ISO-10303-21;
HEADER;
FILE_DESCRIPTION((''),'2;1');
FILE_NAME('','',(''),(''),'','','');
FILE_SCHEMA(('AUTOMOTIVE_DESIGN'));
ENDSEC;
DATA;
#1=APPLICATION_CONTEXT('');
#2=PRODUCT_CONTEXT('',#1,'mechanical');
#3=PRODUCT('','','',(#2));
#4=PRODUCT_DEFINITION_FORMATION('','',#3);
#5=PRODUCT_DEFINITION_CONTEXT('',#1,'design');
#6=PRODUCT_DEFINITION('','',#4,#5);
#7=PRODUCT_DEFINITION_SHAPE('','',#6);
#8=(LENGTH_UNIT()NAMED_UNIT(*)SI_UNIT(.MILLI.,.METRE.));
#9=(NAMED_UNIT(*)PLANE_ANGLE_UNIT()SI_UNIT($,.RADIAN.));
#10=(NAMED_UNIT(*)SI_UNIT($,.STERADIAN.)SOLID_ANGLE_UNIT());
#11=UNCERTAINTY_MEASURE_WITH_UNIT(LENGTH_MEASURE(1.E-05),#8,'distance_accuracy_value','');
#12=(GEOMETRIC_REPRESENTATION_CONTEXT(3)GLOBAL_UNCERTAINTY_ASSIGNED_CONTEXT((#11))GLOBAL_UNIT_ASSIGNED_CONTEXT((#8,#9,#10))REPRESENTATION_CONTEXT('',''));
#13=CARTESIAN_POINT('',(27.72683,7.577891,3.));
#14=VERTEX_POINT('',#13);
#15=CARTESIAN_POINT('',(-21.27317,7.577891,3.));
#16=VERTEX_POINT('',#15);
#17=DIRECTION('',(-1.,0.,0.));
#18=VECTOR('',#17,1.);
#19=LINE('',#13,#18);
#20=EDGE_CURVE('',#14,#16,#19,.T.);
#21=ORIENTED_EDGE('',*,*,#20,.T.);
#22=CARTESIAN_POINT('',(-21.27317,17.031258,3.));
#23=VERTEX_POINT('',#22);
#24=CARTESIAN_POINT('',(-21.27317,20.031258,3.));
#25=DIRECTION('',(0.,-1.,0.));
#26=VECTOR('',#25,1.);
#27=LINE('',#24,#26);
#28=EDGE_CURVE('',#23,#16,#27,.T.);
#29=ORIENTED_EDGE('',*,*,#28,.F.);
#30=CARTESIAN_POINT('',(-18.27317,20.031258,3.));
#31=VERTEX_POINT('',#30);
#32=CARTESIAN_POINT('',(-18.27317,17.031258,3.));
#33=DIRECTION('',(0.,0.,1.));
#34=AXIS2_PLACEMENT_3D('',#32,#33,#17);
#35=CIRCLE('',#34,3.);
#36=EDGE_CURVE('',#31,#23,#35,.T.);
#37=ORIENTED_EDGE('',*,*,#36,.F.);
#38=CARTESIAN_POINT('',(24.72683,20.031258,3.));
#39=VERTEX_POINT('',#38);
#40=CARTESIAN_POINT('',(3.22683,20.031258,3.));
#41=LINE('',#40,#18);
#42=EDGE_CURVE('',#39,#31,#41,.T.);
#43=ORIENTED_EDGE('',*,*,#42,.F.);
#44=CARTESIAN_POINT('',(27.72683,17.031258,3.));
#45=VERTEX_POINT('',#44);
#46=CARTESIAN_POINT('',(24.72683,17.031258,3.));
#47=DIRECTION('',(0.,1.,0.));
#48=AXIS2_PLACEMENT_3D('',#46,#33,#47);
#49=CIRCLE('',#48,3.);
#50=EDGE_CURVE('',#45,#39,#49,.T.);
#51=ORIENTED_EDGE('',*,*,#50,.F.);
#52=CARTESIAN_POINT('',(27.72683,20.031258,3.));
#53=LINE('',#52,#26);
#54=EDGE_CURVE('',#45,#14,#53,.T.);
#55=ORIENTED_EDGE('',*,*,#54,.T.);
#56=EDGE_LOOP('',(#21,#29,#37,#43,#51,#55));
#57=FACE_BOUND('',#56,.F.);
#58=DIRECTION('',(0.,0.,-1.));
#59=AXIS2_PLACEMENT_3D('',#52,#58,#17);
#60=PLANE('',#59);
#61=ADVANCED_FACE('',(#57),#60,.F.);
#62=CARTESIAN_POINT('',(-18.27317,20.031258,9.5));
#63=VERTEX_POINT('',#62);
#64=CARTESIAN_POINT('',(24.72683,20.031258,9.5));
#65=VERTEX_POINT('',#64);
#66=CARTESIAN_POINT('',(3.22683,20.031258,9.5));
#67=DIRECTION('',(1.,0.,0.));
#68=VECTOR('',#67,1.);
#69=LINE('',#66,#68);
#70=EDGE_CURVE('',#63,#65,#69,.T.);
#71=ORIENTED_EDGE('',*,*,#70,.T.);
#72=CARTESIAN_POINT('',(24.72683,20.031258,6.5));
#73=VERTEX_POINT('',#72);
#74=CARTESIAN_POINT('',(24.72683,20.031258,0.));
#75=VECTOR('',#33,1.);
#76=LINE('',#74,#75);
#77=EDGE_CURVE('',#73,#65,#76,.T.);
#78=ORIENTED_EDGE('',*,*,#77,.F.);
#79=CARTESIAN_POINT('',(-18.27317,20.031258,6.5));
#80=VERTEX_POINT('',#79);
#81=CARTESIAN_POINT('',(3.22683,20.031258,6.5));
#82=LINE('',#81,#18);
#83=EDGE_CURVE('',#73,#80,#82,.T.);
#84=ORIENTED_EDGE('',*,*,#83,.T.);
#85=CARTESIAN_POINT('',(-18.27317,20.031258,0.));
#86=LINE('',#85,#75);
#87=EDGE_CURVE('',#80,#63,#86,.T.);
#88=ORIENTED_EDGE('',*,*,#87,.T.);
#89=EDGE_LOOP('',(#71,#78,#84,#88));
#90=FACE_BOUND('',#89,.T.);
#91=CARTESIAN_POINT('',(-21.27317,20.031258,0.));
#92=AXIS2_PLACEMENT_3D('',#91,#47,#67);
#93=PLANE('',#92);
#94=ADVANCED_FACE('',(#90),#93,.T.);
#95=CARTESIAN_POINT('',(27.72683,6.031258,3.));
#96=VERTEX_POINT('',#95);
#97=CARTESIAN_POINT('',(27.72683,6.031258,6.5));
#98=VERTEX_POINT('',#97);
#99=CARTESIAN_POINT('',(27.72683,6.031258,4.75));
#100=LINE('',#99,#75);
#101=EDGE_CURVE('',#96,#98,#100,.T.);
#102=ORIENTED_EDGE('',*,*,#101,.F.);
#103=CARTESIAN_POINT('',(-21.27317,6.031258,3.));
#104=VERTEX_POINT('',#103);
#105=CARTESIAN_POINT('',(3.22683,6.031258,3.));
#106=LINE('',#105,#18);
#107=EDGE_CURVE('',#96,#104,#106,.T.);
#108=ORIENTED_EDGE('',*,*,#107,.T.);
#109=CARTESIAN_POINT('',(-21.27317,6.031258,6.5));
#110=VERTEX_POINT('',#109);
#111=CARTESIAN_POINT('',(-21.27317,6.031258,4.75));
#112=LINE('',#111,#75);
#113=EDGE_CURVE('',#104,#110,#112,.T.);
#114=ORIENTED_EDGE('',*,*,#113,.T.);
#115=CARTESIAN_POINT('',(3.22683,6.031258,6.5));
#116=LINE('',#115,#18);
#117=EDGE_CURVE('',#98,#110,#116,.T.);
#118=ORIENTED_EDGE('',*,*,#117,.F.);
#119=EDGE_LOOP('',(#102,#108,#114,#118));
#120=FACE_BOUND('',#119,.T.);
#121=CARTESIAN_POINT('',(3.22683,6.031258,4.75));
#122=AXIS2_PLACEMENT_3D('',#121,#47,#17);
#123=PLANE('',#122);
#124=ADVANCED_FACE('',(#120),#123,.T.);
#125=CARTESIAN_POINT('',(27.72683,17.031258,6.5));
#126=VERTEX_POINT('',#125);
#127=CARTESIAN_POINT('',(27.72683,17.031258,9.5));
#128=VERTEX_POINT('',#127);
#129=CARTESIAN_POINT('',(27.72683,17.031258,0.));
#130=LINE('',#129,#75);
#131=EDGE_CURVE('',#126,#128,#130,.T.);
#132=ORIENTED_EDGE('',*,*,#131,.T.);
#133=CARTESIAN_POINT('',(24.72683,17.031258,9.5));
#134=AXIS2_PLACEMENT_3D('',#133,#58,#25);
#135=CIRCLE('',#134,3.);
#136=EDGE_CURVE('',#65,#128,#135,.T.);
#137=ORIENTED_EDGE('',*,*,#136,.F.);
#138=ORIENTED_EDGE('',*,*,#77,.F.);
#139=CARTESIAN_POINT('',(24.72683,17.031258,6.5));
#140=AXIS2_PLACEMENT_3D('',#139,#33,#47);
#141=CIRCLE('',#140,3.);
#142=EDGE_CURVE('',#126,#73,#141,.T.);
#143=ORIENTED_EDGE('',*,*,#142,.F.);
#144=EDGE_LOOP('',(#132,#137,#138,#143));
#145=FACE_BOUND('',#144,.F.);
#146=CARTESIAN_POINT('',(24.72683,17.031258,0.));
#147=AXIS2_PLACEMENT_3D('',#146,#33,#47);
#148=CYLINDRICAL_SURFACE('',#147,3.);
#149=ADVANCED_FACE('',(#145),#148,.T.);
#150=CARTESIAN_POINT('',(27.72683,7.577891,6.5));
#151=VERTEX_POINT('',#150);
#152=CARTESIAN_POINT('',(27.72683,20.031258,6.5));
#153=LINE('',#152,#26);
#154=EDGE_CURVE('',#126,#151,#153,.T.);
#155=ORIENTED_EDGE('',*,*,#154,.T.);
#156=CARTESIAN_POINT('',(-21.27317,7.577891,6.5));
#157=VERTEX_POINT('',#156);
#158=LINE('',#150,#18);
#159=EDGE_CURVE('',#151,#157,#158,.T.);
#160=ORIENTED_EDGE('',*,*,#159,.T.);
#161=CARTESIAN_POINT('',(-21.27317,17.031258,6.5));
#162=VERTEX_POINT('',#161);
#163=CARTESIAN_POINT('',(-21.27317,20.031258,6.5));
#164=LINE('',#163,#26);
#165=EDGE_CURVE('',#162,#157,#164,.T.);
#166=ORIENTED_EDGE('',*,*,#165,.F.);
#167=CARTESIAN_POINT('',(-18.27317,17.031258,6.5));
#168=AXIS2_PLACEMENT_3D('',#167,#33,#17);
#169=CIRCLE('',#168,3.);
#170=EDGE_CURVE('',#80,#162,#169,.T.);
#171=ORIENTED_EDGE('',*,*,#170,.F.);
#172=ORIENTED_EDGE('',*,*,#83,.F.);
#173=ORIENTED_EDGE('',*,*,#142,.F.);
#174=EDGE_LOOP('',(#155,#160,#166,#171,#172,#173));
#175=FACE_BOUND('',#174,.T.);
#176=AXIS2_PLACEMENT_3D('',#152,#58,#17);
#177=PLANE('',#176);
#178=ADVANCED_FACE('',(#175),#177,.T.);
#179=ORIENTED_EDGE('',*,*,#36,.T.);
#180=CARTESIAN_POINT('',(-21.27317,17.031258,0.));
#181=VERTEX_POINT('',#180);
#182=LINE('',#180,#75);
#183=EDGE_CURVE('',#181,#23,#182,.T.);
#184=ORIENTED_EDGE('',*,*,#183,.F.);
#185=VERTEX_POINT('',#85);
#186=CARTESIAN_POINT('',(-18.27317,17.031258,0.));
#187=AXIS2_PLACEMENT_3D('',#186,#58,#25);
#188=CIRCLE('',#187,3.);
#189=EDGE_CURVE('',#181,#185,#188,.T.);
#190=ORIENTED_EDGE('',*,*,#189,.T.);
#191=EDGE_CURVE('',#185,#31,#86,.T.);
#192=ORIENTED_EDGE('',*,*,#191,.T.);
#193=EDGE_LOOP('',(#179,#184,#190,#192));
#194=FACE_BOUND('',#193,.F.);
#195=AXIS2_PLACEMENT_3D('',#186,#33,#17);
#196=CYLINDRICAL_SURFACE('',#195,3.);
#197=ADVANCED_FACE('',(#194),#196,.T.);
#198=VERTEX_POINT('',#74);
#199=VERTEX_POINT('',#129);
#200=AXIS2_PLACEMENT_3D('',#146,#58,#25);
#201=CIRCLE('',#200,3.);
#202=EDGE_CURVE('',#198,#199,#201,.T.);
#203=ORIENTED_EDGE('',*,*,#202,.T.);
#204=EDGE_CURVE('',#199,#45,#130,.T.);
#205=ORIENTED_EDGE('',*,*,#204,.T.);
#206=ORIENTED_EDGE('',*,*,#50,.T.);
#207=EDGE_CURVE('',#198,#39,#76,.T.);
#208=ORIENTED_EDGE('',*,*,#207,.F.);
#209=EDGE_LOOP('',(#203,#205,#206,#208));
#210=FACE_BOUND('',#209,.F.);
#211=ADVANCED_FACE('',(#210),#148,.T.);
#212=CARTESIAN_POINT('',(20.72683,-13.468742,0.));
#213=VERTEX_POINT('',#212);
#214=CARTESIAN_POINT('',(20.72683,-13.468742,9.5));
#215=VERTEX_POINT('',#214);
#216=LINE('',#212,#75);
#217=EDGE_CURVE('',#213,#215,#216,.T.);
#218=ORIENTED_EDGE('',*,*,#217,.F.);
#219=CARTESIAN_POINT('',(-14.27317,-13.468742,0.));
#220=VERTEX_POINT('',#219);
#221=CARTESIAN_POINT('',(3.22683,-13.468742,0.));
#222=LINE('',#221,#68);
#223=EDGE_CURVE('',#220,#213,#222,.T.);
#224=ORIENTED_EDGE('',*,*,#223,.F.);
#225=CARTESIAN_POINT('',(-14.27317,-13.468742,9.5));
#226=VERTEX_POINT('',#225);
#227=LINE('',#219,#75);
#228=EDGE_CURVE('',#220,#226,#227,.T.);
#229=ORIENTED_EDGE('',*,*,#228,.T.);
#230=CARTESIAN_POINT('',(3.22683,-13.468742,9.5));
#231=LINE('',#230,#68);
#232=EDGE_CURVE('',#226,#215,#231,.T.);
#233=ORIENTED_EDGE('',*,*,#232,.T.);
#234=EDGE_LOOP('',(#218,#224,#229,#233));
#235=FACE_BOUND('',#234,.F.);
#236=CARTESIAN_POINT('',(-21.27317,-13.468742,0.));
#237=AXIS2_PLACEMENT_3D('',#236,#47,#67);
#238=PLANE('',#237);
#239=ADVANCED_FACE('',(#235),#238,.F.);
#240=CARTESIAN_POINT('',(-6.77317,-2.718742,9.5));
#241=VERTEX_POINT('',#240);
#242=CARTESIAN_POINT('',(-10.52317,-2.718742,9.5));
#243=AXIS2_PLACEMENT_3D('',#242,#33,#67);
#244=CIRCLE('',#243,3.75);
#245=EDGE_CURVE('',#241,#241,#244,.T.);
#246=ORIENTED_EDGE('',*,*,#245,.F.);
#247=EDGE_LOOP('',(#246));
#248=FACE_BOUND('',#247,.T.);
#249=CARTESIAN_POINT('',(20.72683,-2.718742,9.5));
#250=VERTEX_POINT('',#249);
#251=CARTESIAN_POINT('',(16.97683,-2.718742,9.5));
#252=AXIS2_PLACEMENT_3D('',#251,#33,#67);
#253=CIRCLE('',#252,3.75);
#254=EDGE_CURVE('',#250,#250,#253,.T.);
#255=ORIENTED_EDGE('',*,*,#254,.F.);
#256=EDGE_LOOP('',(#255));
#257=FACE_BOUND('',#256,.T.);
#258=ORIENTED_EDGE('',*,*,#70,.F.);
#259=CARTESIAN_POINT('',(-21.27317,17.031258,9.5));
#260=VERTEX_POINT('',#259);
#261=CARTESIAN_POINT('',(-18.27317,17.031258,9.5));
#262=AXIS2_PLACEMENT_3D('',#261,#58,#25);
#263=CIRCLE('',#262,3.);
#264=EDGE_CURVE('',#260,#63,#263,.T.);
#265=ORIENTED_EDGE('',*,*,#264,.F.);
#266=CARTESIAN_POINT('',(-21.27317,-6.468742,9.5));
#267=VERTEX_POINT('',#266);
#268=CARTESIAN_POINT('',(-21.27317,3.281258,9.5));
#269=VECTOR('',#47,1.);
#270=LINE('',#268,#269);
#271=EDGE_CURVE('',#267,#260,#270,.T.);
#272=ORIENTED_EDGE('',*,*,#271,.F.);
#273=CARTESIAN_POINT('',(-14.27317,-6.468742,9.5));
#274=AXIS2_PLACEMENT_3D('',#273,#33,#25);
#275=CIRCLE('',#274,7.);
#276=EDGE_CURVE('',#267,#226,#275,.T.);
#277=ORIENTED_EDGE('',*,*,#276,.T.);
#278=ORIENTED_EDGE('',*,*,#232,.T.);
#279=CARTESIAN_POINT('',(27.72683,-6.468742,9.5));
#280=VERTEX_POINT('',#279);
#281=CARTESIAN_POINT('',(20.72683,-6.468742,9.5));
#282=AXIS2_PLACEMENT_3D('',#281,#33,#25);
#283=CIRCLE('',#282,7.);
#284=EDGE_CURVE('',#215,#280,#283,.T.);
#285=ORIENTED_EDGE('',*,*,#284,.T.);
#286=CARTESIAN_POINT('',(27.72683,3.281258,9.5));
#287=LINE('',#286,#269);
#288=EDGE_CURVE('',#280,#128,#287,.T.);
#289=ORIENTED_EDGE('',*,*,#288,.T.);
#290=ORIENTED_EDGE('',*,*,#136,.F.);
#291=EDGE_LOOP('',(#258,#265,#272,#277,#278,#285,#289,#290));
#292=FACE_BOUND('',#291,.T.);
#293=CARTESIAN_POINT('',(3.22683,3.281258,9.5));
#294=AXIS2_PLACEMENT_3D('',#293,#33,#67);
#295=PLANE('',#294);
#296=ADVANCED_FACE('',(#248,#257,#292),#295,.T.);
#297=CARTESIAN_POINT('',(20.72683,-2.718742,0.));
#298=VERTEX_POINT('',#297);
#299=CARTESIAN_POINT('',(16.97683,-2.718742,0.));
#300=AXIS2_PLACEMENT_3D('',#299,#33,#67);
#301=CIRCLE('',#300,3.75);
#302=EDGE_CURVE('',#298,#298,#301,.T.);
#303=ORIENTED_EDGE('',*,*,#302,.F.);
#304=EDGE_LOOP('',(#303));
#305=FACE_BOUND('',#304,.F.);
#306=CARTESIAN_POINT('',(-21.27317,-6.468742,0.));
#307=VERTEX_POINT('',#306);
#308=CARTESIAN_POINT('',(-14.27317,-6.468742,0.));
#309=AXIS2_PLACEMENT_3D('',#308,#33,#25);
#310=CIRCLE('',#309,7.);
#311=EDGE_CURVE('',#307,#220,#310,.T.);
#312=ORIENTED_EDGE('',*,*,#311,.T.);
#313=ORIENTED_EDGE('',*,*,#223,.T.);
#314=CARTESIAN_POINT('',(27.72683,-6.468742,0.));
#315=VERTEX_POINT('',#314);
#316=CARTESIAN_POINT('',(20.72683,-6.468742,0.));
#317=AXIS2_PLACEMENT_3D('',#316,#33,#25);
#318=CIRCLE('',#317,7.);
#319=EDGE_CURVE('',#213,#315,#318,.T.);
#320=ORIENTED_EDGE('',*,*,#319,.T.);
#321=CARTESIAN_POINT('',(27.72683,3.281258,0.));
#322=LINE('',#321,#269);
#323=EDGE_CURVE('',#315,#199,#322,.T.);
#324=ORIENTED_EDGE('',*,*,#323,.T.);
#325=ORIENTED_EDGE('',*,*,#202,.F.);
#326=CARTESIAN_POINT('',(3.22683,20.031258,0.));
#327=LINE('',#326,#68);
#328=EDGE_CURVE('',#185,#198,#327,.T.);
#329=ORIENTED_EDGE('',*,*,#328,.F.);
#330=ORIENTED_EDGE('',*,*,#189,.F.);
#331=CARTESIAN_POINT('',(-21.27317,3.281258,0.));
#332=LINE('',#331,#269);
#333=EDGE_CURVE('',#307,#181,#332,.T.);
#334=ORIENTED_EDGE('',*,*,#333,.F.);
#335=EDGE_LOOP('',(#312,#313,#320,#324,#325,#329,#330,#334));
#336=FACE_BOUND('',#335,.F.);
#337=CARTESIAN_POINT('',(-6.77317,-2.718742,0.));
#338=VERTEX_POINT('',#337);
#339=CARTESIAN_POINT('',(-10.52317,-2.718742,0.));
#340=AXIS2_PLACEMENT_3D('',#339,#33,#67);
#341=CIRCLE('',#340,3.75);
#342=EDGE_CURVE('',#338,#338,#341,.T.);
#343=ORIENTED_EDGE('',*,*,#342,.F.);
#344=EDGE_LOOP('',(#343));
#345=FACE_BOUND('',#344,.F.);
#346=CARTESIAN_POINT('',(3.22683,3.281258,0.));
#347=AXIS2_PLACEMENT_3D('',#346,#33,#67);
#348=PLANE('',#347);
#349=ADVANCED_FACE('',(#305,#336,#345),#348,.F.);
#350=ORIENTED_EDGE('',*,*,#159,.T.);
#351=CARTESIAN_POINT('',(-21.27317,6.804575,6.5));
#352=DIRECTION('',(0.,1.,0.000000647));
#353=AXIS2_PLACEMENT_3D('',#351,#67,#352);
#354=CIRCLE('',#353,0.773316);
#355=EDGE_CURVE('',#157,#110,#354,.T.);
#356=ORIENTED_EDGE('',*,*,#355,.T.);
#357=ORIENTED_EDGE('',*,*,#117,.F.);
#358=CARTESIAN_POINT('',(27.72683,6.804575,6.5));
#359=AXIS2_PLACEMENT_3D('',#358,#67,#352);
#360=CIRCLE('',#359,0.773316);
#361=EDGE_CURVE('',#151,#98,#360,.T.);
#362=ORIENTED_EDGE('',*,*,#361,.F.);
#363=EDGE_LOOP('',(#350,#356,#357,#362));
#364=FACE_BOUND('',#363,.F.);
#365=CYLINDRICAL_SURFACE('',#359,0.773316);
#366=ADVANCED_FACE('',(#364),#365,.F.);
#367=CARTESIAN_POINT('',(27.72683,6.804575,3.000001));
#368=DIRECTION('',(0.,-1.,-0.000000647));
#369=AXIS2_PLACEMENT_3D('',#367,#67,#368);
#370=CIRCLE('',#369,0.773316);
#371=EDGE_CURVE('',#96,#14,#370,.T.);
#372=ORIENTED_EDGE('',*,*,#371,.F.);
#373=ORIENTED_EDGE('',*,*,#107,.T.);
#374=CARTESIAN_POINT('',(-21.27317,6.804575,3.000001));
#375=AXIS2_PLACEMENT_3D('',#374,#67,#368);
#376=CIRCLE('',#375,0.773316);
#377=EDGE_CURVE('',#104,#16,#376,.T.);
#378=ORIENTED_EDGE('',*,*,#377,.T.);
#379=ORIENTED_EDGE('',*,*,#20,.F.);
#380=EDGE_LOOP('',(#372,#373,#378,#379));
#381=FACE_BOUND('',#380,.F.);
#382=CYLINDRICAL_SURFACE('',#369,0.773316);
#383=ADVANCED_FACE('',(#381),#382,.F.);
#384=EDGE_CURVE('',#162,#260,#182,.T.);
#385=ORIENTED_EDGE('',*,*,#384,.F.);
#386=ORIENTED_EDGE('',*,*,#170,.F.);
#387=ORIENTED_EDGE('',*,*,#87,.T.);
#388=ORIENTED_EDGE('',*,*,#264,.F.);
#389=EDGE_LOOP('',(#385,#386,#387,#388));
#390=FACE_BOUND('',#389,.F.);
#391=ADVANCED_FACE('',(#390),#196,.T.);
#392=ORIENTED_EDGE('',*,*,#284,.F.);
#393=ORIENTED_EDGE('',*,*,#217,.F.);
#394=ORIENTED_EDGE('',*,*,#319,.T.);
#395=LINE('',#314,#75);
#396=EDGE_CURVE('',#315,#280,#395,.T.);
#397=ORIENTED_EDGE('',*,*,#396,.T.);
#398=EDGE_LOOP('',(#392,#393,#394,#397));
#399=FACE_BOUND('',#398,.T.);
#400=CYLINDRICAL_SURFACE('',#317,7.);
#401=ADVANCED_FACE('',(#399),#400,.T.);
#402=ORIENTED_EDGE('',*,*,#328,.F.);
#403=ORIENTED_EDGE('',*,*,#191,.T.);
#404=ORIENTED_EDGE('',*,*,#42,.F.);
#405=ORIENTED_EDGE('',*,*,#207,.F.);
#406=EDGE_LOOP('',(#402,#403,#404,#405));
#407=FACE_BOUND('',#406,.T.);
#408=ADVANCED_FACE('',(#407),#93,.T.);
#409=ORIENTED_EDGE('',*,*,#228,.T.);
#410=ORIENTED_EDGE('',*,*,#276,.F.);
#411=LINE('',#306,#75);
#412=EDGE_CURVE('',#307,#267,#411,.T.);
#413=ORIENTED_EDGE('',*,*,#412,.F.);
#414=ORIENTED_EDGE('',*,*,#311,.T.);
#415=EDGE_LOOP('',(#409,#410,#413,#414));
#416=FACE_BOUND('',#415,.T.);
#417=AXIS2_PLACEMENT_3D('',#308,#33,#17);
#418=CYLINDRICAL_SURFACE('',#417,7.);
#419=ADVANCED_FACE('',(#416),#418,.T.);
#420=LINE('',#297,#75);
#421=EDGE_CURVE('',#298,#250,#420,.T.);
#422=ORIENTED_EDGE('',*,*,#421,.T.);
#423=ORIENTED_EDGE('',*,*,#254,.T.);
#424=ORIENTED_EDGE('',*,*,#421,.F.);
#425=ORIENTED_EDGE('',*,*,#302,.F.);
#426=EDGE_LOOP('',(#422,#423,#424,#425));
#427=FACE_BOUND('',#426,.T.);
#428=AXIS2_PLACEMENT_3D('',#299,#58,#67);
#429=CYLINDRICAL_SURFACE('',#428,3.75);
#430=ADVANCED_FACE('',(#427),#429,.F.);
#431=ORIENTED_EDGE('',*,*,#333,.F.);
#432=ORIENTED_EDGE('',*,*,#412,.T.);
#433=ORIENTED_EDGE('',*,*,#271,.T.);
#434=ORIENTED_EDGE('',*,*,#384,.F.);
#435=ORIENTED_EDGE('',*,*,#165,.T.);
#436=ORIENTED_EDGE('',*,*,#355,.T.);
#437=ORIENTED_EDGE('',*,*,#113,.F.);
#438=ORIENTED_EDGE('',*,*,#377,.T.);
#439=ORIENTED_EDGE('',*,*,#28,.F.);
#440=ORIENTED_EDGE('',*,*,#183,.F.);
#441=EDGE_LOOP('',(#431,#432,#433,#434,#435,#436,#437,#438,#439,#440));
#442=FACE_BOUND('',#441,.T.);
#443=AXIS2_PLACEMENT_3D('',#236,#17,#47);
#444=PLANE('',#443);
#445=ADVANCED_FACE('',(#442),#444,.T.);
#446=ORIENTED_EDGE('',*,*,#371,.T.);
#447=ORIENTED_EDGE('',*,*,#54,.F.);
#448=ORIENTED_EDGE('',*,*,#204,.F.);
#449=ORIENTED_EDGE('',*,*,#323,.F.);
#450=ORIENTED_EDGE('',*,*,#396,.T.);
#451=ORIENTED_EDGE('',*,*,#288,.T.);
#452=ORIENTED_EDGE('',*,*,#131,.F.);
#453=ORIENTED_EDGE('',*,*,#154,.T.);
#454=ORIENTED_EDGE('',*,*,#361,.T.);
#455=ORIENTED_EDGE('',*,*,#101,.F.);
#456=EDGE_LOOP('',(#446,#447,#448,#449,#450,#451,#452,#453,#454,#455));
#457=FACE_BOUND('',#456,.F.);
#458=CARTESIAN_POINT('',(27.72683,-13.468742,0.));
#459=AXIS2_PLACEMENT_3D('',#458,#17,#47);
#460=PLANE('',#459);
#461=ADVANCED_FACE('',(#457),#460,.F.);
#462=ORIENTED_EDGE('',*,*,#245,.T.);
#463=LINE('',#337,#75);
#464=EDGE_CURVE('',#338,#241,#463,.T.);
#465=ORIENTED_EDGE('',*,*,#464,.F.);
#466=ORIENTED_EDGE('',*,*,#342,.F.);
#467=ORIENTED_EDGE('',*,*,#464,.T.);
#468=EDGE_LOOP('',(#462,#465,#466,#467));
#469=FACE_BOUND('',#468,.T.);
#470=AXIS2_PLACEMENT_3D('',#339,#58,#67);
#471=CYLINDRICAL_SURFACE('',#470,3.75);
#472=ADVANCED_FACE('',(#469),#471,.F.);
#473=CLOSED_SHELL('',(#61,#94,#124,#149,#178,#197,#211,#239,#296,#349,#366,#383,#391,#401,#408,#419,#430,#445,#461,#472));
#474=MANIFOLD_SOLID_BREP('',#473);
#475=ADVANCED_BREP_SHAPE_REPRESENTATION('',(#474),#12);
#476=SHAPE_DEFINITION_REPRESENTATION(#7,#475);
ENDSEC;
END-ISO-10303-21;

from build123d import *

# Parameters (mm, degrees)
F0_W     = 49
F0_H     = 33.5
F0_R     = 3.75
F1_DEPTH = 9.5
F2_R     = 7
F4_R     = 3
F3_W     = 49
F3_H     = 3.5
F5_DEPTH = 14
F7_DEPTH = 50


with BuildPart() as f1:
    # F0 (on Top) → F1 (new body)
    with BuildSketch(Plane.XY):
        with Locations((3.22683, 3.281258)):
            Rectangle(F0_W, F0_H)
        with Locations((-10.52317, -2.718742)):
            Circle(F0_R, mode=Mode.SUBTRACT)
        with Locations((16.97683, -2.718742)):
            Circle(F0_R, mode=Mode.SUBTRACT)
    extrude(amount=F1_DEPTH)

    # F2
    f2_edges = [f1.edges().sort_by_distance(p)[0] for p in [
        (-21.27317, -13.468742, 4.75),
        (27.72683, -13.468742, 4.75),
    ]]
    fillet(f2_edges, radius=F2_R)

    # F4
    f4_edges = [f1.edges().sort_by_distance(p)[0] for p in [
        (27.72683, 20.031258, 4.75),
        (-21.27317, 20.031258, 4.75),
    ]]
    fillet(f4_edges, radius=F4_R)

    # F3 (on face) → F5 (cut)
    with BuildSketch(Plane(origin=(0, 20.031258, 0), x_dir=(-1, 0, 0), z_dir=(0, 1, 0))):
        with Locations((-3.22683, 4.75)):
            Rectangle(F3_W, F3_H)
    extrude(amount=-F5_DEPTH, mode=Mode.SUBTRACT)

    # F6 (on face) → F7 (cut)
    with BuildSketch(Plane.YZ.offset(27.72683)):
        with BuildLine():
            ThreePointArc((7.577891, 6.5), (6.804574, 7.273316), (6.031258, 6.5))
            Line((6.031258, 6.5), (7.577891, 6.5))
        make_face()
        with BuildLine():
            Line((7.577891, 3), (6.031258, 3))
            ThreePointArc((6.031258, 3), (6.804574, 2.226684), (7.577891, 3))
        make_face()
    extrude(amount=-F7_DEPTH, mode=Mode.SUBTRACT)


solid = f1.part
